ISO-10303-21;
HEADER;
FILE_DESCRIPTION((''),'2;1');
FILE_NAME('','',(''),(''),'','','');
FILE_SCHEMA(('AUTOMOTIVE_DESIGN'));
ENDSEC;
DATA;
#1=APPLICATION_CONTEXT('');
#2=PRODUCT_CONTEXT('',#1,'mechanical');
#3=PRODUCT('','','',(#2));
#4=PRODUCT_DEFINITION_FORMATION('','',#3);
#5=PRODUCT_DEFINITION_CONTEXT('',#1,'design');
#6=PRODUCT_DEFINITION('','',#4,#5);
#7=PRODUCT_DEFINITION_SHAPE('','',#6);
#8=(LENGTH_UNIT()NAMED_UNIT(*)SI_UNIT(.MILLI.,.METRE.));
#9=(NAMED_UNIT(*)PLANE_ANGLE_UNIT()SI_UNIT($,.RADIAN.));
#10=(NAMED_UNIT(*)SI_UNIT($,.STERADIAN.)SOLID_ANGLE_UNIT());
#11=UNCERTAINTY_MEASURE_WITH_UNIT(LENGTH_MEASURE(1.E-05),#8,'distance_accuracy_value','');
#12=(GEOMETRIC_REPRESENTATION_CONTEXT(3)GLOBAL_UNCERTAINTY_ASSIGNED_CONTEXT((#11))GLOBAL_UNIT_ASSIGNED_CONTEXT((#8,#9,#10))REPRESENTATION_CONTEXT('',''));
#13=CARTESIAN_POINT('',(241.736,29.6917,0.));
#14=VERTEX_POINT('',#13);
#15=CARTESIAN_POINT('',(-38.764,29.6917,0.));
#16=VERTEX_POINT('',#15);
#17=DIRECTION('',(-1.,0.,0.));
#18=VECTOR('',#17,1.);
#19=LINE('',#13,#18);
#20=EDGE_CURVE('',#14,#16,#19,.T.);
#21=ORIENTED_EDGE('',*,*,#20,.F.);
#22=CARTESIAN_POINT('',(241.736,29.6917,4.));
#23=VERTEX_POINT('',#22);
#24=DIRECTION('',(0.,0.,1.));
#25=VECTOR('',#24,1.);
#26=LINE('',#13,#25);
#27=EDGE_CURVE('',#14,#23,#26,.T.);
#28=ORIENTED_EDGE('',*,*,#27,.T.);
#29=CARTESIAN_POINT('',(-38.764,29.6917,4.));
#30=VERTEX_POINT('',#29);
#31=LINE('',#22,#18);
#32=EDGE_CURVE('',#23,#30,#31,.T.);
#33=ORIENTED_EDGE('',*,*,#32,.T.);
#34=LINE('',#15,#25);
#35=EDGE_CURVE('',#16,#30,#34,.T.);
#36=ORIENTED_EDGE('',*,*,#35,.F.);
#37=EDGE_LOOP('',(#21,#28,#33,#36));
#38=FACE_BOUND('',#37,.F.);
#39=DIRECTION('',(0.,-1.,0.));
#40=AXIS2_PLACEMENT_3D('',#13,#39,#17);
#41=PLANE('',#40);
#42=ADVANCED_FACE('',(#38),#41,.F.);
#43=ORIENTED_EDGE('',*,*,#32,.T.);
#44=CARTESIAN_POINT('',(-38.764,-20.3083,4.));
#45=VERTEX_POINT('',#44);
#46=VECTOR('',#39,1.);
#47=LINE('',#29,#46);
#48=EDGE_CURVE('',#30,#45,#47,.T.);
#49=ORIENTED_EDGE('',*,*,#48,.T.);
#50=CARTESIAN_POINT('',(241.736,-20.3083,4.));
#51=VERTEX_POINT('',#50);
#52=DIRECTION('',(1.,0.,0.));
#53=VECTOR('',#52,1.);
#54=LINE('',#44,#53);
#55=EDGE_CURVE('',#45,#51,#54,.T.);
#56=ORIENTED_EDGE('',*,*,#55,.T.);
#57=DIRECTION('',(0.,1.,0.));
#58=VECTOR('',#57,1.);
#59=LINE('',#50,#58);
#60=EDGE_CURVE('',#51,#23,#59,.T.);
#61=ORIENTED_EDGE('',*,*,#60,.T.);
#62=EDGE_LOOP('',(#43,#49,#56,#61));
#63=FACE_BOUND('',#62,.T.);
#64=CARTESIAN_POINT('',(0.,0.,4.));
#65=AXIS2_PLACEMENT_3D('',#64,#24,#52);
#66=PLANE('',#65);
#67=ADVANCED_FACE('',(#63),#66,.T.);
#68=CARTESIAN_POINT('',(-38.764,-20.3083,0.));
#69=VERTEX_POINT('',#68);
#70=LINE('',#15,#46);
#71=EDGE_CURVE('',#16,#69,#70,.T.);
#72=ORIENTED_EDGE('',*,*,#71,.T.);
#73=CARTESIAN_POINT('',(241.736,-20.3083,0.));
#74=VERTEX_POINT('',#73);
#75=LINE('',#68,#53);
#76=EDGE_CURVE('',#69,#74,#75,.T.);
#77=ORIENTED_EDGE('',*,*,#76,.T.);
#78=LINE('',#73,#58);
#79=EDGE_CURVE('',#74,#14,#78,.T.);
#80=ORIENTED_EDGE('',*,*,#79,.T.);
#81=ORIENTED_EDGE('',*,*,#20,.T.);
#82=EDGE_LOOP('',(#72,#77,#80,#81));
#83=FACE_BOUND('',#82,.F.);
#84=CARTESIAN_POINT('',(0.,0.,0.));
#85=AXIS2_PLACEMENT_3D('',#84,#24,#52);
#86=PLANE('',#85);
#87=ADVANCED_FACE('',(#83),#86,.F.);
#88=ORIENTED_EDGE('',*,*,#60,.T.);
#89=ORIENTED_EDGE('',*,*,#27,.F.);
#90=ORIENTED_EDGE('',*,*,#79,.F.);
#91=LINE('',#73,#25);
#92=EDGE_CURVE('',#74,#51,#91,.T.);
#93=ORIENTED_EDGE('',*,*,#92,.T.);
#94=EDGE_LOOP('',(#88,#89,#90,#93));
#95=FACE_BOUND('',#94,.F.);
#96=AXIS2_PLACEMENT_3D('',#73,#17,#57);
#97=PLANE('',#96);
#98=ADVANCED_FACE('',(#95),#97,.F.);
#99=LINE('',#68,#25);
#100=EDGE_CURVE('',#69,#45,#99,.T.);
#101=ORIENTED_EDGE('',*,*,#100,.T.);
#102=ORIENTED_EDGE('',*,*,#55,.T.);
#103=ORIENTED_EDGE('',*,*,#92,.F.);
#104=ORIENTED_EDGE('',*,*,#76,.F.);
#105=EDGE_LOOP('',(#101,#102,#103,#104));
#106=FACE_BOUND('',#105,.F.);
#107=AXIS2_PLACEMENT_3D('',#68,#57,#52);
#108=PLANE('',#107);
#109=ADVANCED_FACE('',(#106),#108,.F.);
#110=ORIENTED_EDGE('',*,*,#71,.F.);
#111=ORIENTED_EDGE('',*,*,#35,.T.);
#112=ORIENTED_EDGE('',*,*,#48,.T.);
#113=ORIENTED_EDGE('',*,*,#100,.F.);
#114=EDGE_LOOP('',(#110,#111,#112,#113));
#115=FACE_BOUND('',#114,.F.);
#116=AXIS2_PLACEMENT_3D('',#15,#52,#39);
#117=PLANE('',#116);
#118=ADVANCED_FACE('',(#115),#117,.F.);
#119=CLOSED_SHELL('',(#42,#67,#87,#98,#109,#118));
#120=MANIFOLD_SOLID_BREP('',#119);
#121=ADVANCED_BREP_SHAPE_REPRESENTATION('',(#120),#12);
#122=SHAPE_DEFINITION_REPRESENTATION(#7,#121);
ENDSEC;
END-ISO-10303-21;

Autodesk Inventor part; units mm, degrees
ref_plane "YZ Plane" through (0, 0, 0) normal (1, 0, 0) x (0, 1, 0)
ref_plane "XZ Plane" through (0, 0, 0) normal (0, 1, 0) x (-1, 0, 0)
ref_plane "XY Plane" through (0, 0, 0) normal (0, 0, 1) x (1, 0, 0)
sketch "Эскиз1" plane through (0, 0, 0) normal (0, 0, 1) x (1, 0, 0)
  line L0 (-16.3474, 23.4) -> (16.3474, 23.4) projected
  line L1 (250.5, 57.3225) -> (250.5, -9.6775) projected
  line L2 (236.5474, 23.3225) -> (203.8526, 23.3225) projected
  line L3 (-38.764, -20.3083) -> (241.736, -20.3083)
  line L4 (241.736, -20.3083) -> (241.736, 29.6917)
  line L5 (241.736, 29.6917) -> (-38.764, 29.6917)
  line L6 (-38.764, 29.6917) -> (-38.764, -20.3083)
  line L7 (-38.764, -20.3083) -> (241.736, 29.6917) construction
  line L8 (241.736, -20.3083) -> (-38.764, 29.6917) construction
  point P0 (101.486, 4.6917)
  dimension "d13" = 280.5
  dimension "d14" = 50
extrude "Выдавливание1" add sketch "Эскиз1" along normal blind 4
properties part number "фанера_электр" material "Древесина (береза)"
